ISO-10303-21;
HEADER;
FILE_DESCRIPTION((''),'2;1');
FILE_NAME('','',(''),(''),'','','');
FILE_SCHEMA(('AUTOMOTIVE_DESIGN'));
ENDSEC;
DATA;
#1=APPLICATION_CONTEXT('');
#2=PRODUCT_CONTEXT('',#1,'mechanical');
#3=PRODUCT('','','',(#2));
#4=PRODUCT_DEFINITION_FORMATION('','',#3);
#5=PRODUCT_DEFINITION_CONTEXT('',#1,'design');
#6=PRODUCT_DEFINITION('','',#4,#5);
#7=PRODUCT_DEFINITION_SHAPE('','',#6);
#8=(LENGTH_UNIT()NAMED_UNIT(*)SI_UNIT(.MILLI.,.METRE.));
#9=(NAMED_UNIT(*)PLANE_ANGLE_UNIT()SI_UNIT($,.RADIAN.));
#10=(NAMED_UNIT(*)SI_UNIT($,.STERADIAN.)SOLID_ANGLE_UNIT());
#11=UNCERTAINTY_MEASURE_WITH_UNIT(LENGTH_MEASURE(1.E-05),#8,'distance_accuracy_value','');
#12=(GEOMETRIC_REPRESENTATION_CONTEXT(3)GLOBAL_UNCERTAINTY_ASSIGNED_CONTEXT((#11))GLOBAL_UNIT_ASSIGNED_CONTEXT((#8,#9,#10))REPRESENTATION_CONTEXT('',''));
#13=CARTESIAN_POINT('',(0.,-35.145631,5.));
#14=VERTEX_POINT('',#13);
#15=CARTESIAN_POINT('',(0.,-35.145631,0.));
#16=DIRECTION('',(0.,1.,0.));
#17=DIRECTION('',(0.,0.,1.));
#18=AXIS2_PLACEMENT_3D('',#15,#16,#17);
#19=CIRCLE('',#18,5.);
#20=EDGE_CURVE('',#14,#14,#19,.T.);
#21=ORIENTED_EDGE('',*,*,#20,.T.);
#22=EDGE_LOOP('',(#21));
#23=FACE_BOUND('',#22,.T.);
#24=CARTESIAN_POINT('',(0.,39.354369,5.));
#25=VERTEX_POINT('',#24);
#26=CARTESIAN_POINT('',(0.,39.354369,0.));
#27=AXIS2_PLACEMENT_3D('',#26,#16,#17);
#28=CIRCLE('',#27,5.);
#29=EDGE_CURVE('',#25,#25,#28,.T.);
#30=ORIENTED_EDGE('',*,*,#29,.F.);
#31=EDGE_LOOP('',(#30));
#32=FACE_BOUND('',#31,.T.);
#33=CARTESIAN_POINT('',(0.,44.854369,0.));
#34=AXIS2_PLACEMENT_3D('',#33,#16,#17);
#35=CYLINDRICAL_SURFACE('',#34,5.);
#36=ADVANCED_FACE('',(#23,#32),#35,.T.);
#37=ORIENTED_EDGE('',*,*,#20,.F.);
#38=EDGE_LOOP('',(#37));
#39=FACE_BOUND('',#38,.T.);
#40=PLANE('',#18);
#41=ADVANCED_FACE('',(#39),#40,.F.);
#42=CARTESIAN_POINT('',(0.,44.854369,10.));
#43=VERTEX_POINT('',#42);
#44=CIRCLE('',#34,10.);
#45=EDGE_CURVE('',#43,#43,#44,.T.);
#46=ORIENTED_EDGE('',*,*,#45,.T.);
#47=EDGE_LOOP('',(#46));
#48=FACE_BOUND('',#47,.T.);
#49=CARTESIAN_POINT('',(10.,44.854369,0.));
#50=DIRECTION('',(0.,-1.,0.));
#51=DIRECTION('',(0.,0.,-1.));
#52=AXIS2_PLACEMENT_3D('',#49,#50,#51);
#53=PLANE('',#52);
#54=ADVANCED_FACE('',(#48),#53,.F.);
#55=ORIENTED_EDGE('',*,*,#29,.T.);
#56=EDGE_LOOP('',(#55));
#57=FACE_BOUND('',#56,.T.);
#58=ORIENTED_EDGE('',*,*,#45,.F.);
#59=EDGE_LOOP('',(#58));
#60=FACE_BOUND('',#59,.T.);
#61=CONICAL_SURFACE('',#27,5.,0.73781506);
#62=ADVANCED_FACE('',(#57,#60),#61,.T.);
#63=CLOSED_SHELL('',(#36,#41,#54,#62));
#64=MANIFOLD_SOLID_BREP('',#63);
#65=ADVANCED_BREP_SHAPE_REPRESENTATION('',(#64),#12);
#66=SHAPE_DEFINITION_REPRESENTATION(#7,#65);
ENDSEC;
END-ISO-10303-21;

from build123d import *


with BuildPart() as part:
    # Esquisse1 → Révolution1 (revolve)
    with BuildSketch(Plane.XY, mode=Mode.PRIVATE) as r_volution1_sk:
        Polygon((0, -35.145631068), (5, -35.145631068), (5, 39.354368932), (10, 44.854368932), (0, 44.854368932), align=None)
    revolve(r_volution1_sk.sketch.rotate(Axis((0, 44.854368932, 0), (0, -1, 0)), 90), axis=Axis((0, 44.854368932, 0), (0, -1, 0)))


solid = part.part
